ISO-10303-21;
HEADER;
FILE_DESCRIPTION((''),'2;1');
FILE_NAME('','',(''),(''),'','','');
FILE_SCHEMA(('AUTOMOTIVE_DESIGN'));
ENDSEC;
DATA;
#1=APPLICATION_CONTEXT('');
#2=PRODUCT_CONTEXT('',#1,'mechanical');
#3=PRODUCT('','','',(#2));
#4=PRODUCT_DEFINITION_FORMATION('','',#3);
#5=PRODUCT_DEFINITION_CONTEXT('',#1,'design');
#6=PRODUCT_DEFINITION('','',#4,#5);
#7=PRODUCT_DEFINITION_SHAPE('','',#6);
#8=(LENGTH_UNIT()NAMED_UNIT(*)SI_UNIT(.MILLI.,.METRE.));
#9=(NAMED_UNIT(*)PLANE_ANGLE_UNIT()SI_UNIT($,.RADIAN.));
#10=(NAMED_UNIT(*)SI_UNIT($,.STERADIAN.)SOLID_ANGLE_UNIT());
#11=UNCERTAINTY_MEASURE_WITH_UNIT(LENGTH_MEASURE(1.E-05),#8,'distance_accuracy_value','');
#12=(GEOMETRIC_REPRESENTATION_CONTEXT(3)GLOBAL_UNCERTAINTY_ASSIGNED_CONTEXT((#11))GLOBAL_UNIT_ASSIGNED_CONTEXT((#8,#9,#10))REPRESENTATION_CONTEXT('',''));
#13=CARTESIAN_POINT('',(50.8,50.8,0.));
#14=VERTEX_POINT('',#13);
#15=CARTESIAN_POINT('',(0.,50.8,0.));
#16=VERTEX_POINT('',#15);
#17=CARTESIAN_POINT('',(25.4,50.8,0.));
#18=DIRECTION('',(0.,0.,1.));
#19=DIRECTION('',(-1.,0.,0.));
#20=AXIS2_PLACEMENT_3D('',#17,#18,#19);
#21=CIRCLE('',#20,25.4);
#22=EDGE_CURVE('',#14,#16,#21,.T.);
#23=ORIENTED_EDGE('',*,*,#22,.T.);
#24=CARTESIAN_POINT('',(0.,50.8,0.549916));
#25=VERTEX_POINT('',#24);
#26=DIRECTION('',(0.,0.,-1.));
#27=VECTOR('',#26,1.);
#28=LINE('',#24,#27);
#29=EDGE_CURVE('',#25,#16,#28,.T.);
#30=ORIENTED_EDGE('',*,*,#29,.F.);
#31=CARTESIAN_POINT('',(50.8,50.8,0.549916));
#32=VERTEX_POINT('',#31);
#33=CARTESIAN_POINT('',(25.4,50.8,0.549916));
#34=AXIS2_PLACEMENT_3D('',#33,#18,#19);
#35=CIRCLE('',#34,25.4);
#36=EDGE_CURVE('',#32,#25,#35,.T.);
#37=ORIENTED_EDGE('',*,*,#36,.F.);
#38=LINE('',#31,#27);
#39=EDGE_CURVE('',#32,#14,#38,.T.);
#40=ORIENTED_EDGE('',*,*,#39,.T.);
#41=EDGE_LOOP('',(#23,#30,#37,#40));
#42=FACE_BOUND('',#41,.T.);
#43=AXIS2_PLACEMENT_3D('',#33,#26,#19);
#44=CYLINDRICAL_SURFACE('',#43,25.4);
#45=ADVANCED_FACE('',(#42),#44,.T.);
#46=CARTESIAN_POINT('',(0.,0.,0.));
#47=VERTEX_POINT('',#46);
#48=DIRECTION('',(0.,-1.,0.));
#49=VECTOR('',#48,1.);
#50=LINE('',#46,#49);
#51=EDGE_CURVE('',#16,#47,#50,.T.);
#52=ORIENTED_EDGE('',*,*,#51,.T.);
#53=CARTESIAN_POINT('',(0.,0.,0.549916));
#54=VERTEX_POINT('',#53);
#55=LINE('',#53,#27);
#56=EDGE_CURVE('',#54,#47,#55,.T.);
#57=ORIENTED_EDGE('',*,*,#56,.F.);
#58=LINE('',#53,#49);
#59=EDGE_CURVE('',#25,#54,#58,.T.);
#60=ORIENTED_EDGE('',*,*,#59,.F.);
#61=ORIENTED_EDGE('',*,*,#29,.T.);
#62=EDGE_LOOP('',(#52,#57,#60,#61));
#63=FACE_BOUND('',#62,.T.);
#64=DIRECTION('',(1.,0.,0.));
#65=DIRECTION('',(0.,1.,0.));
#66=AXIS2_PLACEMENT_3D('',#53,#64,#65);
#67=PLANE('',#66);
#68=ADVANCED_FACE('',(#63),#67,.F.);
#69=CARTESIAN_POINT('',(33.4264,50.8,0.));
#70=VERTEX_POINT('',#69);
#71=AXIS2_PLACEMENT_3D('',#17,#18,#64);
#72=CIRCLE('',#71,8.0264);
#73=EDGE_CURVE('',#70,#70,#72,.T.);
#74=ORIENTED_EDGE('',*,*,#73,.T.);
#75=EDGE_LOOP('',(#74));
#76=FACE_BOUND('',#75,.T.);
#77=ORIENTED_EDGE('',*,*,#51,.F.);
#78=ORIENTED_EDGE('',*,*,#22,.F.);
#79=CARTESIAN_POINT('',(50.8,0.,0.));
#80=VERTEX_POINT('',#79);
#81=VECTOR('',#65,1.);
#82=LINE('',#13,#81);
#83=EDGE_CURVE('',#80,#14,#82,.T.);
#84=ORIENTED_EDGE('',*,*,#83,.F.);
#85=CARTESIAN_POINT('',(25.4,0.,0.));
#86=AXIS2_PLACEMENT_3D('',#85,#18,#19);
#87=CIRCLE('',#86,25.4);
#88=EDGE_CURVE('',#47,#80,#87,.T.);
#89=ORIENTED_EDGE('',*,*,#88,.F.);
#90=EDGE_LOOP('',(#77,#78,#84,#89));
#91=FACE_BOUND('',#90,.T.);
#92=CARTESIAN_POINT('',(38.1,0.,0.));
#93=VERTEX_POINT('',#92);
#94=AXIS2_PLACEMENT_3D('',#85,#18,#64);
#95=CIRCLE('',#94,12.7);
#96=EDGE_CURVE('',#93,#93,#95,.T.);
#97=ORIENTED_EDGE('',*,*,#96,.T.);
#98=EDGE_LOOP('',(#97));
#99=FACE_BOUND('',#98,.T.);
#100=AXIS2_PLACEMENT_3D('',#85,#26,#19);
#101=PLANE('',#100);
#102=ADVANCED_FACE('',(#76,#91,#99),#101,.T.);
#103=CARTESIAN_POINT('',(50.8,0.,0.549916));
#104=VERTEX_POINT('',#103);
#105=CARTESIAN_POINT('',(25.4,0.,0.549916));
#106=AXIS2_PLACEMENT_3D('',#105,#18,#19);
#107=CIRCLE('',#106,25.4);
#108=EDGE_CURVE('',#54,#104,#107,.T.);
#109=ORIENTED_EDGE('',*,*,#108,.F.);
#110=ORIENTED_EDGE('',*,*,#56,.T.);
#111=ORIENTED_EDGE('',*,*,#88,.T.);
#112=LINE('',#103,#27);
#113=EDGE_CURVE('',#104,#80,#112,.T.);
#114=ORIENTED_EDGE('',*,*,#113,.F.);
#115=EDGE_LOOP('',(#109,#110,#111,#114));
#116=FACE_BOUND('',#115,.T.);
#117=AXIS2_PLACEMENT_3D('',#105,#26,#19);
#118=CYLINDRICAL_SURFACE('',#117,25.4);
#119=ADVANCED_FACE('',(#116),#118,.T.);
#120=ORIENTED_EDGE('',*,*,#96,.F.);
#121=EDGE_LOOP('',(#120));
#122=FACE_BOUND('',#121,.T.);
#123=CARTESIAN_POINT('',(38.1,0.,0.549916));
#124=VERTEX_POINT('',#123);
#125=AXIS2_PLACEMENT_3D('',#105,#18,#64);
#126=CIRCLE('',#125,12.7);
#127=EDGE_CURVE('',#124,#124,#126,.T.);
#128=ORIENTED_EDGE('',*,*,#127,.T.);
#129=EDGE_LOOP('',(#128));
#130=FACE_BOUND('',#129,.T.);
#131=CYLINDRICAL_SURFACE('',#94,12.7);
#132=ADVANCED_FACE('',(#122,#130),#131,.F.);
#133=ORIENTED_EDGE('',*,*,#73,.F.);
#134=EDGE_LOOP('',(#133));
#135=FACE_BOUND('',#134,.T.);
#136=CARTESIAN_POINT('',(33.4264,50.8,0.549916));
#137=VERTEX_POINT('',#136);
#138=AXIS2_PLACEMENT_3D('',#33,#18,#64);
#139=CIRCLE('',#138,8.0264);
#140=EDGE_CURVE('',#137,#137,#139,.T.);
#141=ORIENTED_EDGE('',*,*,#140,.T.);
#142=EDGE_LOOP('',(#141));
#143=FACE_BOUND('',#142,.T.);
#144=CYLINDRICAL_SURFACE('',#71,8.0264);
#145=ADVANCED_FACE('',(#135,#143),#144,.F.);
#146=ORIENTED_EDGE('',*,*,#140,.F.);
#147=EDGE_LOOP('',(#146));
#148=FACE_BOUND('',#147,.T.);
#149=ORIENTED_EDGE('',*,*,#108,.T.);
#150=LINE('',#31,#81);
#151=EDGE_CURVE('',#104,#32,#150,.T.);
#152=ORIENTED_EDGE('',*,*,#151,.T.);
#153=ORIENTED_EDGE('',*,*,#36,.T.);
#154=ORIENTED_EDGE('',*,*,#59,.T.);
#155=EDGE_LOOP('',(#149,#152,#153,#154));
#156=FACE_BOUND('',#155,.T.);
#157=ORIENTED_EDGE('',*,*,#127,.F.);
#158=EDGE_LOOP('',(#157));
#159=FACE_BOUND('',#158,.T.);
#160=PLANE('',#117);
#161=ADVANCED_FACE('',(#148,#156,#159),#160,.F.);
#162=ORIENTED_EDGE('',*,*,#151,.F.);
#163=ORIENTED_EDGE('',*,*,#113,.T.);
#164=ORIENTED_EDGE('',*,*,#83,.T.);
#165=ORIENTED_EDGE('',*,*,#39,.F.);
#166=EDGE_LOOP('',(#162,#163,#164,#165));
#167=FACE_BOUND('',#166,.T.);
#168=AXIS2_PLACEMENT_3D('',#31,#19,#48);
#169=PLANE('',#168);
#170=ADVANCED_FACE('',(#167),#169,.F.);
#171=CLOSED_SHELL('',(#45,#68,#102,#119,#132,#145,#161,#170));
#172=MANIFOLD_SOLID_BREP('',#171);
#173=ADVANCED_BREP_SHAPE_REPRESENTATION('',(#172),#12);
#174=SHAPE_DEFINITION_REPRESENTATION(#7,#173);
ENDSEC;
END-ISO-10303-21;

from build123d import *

# Parameters (mm, degrees)
BOSS_EXTRUDE1_DEPTH = 0.549916313
SKETCH2_R           = 12.7
SKETCH2_R_2         = 8.0264
CUT_EXTRUDE2_DEPTH  = 92.582653423


with BuildPart() as part:
    # Sketch1 → Boss-Extrude1 (new body)
    with BuildSketch(Plane.XY):
        with BuildLine():
            Line((0, 0), (0, 50.8))
            ThreePointArc((0, 50.8), (25.4, 76.2), (50.8, 50.8))
            Line((50.8, 50.8), (50.8, 0))
            ThreePointArc((50.8, 0), (25.4, -25.4), (0, 0))
        make_face()
    extrude(amount=BOSS_EXTRUDE1_DEPTH)

    # Sketch2 → Cut-Extrude2 (cut, through all)
    with BuildSketch(Plane.XY.offset(0.549916313)):
        with Locations((25.4, 0)):
            Circle(SKETCH2_R)
        with Locations((25.4, 50.8)):
            Circle(SKETCH2_R_2)
    extrude(amount=-CUT_EXTRUDE2_DEPTH, mode=Mode.SUBTRACT)


solid = part.part
